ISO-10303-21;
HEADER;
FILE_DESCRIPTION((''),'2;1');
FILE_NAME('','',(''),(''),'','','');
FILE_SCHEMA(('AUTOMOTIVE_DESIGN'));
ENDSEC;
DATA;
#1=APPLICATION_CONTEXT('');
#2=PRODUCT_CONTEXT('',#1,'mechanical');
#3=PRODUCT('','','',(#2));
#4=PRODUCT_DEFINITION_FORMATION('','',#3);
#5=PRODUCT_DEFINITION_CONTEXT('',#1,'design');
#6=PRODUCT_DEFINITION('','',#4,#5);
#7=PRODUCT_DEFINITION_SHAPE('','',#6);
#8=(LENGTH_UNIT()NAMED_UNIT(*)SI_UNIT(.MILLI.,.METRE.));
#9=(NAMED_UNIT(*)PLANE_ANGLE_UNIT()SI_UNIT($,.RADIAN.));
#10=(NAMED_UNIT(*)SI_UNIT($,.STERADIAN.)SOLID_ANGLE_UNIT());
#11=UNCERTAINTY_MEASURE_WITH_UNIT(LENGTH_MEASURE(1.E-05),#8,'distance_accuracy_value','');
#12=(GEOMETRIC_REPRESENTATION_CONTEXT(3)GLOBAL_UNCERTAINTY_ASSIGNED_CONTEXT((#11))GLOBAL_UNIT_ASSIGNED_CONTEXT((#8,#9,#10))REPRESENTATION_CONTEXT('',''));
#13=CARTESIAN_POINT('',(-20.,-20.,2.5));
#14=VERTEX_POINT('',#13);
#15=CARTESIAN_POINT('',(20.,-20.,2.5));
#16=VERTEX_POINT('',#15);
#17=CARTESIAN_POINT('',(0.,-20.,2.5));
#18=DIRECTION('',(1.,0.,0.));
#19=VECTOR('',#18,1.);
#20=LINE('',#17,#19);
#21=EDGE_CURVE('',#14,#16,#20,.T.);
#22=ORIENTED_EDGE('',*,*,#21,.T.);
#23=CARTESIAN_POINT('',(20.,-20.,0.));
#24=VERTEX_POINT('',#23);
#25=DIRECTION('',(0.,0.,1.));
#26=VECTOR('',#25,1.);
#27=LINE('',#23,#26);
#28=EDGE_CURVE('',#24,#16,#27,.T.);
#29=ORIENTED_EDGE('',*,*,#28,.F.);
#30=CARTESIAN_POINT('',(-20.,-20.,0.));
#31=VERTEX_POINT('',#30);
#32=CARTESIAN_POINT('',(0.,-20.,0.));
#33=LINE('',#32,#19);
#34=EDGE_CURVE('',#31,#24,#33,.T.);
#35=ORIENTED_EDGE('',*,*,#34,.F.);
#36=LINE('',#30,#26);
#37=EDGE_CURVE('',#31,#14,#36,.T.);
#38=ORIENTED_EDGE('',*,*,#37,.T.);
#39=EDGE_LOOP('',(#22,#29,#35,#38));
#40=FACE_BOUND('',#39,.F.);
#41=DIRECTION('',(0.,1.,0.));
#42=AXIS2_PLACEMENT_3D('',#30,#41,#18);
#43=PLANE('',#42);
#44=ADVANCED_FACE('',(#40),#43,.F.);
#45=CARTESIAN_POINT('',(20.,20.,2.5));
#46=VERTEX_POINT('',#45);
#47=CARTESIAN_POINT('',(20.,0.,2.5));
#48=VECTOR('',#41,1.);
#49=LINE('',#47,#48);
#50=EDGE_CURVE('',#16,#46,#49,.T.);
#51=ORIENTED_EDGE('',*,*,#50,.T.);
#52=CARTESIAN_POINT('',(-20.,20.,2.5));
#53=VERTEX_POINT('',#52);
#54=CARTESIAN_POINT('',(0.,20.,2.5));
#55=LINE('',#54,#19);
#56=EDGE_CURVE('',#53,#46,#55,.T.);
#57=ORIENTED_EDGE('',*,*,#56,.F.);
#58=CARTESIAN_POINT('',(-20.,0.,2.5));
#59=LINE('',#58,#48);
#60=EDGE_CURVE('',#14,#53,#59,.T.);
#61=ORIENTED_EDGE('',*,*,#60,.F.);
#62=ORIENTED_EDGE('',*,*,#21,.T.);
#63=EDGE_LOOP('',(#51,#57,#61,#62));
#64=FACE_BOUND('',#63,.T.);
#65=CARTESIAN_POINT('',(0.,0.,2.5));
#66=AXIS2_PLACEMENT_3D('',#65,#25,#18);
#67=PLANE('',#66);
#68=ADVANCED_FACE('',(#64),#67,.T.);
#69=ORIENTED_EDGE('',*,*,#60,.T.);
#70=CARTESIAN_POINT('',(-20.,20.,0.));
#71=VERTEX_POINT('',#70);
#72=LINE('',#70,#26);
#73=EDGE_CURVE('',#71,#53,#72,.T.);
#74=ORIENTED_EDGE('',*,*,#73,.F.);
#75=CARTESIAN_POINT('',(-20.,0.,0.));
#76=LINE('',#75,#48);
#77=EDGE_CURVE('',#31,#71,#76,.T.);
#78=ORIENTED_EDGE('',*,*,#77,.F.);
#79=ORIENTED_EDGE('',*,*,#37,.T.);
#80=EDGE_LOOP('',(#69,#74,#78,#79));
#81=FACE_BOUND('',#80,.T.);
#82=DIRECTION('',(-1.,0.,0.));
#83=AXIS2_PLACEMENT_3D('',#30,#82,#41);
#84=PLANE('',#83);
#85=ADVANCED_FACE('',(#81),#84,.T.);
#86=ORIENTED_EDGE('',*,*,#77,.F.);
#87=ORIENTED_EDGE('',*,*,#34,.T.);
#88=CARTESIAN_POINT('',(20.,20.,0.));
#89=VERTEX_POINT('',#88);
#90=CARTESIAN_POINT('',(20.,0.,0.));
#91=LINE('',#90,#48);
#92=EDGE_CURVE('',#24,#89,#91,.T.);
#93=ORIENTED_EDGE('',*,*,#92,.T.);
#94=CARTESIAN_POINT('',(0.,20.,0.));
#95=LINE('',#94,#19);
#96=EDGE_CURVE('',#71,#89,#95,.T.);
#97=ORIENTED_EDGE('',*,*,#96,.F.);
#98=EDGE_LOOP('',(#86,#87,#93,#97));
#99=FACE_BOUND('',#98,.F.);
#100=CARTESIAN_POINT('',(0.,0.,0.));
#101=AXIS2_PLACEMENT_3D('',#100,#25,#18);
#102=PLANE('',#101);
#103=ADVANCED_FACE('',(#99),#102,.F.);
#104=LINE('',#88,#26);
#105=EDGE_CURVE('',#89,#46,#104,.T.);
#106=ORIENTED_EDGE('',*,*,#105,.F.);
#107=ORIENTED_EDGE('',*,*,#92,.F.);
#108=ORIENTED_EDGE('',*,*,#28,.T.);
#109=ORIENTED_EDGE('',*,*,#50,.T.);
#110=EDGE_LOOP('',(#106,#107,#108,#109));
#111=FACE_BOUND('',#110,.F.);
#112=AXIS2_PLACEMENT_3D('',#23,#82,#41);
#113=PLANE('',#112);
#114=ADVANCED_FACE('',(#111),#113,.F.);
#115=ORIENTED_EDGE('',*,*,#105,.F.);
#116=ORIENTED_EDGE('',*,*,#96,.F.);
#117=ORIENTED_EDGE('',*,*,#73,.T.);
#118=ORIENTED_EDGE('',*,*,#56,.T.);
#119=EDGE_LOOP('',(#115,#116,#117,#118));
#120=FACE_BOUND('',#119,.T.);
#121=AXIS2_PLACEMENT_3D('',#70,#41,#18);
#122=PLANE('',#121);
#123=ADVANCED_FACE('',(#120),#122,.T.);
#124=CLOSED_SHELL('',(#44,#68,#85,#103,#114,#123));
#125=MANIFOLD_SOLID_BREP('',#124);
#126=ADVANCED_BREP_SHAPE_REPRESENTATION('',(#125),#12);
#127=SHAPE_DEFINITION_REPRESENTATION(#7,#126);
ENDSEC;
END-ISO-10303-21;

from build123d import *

# Parameters (mm, degrees)
SKETCH1_W           = 40
SKETCH1_H           = 40
BOSS_EXTRUDE1_DEPTH = 2.5


with BuildPart() as part:
    # Sketch1 → Boss-Extrude1 (new body)
    with BuildSketch(Plane.XY):
        Rectangle(SKETCH1_W, SKETCH1_H)
    extrude(amount=BOSS_EXTRUDE1_DEPTH)


solid = part.part
